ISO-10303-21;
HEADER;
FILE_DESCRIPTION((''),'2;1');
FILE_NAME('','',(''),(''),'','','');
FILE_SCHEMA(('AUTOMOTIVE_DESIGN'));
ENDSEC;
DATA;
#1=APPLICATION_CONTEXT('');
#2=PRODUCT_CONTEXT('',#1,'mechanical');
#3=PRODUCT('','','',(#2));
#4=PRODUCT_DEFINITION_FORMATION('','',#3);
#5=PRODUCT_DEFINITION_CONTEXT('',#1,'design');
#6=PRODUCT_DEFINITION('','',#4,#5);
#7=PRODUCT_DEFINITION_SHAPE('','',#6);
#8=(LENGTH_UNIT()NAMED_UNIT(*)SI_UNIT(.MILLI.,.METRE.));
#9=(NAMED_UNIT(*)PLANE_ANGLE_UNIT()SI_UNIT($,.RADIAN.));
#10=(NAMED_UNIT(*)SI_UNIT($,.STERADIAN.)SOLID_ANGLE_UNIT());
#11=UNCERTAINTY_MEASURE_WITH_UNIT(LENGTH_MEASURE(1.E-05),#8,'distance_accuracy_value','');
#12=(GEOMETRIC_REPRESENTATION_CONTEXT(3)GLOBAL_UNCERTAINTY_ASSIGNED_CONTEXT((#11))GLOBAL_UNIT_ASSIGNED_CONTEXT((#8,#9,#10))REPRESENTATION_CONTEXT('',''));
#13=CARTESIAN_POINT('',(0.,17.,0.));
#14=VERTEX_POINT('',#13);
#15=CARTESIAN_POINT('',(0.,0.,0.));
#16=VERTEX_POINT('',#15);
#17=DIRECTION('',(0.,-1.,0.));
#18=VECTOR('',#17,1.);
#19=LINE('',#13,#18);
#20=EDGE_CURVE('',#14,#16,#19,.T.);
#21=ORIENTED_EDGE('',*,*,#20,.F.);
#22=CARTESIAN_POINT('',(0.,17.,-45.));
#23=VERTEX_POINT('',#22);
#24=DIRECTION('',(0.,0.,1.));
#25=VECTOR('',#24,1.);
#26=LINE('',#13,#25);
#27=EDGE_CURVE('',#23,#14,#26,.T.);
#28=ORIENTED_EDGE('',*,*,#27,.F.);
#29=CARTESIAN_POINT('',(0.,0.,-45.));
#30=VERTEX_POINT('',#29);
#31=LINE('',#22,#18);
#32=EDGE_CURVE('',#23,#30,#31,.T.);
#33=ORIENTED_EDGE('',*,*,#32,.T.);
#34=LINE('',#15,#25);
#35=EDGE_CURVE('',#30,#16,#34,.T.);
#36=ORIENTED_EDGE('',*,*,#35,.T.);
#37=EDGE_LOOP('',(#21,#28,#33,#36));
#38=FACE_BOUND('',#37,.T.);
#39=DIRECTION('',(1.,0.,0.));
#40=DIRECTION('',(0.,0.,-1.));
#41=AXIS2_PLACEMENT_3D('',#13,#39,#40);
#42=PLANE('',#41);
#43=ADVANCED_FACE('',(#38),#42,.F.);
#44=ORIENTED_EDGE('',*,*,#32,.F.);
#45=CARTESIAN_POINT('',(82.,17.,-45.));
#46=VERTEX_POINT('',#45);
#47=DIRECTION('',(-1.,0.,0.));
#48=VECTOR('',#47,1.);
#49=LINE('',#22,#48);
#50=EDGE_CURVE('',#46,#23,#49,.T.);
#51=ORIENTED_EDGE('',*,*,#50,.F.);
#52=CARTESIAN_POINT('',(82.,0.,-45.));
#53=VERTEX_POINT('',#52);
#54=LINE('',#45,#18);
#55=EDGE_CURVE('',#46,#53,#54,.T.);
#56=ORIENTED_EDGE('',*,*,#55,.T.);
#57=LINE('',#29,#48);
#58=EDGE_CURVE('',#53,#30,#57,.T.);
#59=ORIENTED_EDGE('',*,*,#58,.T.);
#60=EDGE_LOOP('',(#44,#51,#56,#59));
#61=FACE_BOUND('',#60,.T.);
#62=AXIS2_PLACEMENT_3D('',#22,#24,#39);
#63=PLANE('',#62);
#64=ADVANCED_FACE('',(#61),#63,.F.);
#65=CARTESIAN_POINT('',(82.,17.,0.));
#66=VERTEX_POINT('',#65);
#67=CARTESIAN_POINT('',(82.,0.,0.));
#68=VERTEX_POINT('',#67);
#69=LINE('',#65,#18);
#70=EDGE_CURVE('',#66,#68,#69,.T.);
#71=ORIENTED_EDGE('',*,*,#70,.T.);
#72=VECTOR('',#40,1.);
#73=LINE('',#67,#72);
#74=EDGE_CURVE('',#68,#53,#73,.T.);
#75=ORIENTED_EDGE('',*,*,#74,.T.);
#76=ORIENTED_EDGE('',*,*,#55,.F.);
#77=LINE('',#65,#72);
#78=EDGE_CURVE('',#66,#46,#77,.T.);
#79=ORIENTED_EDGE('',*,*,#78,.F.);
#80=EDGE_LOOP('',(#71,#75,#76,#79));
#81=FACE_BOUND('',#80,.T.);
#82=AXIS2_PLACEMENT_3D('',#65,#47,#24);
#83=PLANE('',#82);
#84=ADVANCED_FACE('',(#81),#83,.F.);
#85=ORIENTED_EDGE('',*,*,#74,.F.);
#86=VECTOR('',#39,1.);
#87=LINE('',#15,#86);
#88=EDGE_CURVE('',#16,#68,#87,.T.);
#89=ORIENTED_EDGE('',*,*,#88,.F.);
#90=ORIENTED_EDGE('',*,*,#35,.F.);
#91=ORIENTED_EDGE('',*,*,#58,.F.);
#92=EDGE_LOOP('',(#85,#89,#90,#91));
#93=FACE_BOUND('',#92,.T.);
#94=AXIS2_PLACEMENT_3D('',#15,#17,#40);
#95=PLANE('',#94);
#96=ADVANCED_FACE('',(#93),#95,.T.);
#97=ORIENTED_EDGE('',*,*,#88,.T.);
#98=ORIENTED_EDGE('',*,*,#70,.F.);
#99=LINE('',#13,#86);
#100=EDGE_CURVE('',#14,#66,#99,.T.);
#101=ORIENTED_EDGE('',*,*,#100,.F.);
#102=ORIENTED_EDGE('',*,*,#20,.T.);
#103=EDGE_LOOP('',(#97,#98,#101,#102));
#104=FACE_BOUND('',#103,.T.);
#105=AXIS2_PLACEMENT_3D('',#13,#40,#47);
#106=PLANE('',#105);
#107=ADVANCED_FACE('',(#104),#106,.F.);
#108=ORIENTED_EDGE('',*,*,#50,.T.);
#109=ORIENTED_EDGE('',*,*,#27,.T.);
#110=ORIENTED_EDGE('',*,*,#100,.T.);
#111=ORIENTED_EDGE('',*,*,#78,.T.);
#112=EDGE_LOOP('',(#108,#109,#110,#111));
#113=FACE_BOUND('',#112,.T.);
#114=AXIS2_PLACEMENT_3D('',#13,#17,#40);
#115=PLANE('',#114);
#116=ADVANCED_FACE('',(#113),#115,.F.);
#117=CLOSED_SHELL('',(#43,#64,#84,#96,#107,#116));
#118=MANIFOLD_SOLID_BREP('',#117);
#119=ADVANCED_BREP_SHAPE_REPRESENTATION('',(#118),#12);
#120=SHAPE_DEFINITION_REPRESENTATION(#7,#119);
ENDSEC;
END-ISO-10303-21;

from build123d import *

# Parameters (mm, degrees)
SKETCH_1_W      = 82
SKETCH_1_H      = 45
EXTRUDE_1_DEPTH = 17


with BuildPart() as part:
    # 草圖1 → 填料-伸長1 (new body)
    with BuildSketch(Plane(origin=(0, 0, 0), x_dir=(1, 0, 0), z_dir=(0, 1, 0))):
        with Locations((41, 22.5)):
            Rectangle(SKETCH_1_W, SKETCH_1_H)
    extrude(amount=EXTRUDE_1_DEPTH)


solid = part.part
